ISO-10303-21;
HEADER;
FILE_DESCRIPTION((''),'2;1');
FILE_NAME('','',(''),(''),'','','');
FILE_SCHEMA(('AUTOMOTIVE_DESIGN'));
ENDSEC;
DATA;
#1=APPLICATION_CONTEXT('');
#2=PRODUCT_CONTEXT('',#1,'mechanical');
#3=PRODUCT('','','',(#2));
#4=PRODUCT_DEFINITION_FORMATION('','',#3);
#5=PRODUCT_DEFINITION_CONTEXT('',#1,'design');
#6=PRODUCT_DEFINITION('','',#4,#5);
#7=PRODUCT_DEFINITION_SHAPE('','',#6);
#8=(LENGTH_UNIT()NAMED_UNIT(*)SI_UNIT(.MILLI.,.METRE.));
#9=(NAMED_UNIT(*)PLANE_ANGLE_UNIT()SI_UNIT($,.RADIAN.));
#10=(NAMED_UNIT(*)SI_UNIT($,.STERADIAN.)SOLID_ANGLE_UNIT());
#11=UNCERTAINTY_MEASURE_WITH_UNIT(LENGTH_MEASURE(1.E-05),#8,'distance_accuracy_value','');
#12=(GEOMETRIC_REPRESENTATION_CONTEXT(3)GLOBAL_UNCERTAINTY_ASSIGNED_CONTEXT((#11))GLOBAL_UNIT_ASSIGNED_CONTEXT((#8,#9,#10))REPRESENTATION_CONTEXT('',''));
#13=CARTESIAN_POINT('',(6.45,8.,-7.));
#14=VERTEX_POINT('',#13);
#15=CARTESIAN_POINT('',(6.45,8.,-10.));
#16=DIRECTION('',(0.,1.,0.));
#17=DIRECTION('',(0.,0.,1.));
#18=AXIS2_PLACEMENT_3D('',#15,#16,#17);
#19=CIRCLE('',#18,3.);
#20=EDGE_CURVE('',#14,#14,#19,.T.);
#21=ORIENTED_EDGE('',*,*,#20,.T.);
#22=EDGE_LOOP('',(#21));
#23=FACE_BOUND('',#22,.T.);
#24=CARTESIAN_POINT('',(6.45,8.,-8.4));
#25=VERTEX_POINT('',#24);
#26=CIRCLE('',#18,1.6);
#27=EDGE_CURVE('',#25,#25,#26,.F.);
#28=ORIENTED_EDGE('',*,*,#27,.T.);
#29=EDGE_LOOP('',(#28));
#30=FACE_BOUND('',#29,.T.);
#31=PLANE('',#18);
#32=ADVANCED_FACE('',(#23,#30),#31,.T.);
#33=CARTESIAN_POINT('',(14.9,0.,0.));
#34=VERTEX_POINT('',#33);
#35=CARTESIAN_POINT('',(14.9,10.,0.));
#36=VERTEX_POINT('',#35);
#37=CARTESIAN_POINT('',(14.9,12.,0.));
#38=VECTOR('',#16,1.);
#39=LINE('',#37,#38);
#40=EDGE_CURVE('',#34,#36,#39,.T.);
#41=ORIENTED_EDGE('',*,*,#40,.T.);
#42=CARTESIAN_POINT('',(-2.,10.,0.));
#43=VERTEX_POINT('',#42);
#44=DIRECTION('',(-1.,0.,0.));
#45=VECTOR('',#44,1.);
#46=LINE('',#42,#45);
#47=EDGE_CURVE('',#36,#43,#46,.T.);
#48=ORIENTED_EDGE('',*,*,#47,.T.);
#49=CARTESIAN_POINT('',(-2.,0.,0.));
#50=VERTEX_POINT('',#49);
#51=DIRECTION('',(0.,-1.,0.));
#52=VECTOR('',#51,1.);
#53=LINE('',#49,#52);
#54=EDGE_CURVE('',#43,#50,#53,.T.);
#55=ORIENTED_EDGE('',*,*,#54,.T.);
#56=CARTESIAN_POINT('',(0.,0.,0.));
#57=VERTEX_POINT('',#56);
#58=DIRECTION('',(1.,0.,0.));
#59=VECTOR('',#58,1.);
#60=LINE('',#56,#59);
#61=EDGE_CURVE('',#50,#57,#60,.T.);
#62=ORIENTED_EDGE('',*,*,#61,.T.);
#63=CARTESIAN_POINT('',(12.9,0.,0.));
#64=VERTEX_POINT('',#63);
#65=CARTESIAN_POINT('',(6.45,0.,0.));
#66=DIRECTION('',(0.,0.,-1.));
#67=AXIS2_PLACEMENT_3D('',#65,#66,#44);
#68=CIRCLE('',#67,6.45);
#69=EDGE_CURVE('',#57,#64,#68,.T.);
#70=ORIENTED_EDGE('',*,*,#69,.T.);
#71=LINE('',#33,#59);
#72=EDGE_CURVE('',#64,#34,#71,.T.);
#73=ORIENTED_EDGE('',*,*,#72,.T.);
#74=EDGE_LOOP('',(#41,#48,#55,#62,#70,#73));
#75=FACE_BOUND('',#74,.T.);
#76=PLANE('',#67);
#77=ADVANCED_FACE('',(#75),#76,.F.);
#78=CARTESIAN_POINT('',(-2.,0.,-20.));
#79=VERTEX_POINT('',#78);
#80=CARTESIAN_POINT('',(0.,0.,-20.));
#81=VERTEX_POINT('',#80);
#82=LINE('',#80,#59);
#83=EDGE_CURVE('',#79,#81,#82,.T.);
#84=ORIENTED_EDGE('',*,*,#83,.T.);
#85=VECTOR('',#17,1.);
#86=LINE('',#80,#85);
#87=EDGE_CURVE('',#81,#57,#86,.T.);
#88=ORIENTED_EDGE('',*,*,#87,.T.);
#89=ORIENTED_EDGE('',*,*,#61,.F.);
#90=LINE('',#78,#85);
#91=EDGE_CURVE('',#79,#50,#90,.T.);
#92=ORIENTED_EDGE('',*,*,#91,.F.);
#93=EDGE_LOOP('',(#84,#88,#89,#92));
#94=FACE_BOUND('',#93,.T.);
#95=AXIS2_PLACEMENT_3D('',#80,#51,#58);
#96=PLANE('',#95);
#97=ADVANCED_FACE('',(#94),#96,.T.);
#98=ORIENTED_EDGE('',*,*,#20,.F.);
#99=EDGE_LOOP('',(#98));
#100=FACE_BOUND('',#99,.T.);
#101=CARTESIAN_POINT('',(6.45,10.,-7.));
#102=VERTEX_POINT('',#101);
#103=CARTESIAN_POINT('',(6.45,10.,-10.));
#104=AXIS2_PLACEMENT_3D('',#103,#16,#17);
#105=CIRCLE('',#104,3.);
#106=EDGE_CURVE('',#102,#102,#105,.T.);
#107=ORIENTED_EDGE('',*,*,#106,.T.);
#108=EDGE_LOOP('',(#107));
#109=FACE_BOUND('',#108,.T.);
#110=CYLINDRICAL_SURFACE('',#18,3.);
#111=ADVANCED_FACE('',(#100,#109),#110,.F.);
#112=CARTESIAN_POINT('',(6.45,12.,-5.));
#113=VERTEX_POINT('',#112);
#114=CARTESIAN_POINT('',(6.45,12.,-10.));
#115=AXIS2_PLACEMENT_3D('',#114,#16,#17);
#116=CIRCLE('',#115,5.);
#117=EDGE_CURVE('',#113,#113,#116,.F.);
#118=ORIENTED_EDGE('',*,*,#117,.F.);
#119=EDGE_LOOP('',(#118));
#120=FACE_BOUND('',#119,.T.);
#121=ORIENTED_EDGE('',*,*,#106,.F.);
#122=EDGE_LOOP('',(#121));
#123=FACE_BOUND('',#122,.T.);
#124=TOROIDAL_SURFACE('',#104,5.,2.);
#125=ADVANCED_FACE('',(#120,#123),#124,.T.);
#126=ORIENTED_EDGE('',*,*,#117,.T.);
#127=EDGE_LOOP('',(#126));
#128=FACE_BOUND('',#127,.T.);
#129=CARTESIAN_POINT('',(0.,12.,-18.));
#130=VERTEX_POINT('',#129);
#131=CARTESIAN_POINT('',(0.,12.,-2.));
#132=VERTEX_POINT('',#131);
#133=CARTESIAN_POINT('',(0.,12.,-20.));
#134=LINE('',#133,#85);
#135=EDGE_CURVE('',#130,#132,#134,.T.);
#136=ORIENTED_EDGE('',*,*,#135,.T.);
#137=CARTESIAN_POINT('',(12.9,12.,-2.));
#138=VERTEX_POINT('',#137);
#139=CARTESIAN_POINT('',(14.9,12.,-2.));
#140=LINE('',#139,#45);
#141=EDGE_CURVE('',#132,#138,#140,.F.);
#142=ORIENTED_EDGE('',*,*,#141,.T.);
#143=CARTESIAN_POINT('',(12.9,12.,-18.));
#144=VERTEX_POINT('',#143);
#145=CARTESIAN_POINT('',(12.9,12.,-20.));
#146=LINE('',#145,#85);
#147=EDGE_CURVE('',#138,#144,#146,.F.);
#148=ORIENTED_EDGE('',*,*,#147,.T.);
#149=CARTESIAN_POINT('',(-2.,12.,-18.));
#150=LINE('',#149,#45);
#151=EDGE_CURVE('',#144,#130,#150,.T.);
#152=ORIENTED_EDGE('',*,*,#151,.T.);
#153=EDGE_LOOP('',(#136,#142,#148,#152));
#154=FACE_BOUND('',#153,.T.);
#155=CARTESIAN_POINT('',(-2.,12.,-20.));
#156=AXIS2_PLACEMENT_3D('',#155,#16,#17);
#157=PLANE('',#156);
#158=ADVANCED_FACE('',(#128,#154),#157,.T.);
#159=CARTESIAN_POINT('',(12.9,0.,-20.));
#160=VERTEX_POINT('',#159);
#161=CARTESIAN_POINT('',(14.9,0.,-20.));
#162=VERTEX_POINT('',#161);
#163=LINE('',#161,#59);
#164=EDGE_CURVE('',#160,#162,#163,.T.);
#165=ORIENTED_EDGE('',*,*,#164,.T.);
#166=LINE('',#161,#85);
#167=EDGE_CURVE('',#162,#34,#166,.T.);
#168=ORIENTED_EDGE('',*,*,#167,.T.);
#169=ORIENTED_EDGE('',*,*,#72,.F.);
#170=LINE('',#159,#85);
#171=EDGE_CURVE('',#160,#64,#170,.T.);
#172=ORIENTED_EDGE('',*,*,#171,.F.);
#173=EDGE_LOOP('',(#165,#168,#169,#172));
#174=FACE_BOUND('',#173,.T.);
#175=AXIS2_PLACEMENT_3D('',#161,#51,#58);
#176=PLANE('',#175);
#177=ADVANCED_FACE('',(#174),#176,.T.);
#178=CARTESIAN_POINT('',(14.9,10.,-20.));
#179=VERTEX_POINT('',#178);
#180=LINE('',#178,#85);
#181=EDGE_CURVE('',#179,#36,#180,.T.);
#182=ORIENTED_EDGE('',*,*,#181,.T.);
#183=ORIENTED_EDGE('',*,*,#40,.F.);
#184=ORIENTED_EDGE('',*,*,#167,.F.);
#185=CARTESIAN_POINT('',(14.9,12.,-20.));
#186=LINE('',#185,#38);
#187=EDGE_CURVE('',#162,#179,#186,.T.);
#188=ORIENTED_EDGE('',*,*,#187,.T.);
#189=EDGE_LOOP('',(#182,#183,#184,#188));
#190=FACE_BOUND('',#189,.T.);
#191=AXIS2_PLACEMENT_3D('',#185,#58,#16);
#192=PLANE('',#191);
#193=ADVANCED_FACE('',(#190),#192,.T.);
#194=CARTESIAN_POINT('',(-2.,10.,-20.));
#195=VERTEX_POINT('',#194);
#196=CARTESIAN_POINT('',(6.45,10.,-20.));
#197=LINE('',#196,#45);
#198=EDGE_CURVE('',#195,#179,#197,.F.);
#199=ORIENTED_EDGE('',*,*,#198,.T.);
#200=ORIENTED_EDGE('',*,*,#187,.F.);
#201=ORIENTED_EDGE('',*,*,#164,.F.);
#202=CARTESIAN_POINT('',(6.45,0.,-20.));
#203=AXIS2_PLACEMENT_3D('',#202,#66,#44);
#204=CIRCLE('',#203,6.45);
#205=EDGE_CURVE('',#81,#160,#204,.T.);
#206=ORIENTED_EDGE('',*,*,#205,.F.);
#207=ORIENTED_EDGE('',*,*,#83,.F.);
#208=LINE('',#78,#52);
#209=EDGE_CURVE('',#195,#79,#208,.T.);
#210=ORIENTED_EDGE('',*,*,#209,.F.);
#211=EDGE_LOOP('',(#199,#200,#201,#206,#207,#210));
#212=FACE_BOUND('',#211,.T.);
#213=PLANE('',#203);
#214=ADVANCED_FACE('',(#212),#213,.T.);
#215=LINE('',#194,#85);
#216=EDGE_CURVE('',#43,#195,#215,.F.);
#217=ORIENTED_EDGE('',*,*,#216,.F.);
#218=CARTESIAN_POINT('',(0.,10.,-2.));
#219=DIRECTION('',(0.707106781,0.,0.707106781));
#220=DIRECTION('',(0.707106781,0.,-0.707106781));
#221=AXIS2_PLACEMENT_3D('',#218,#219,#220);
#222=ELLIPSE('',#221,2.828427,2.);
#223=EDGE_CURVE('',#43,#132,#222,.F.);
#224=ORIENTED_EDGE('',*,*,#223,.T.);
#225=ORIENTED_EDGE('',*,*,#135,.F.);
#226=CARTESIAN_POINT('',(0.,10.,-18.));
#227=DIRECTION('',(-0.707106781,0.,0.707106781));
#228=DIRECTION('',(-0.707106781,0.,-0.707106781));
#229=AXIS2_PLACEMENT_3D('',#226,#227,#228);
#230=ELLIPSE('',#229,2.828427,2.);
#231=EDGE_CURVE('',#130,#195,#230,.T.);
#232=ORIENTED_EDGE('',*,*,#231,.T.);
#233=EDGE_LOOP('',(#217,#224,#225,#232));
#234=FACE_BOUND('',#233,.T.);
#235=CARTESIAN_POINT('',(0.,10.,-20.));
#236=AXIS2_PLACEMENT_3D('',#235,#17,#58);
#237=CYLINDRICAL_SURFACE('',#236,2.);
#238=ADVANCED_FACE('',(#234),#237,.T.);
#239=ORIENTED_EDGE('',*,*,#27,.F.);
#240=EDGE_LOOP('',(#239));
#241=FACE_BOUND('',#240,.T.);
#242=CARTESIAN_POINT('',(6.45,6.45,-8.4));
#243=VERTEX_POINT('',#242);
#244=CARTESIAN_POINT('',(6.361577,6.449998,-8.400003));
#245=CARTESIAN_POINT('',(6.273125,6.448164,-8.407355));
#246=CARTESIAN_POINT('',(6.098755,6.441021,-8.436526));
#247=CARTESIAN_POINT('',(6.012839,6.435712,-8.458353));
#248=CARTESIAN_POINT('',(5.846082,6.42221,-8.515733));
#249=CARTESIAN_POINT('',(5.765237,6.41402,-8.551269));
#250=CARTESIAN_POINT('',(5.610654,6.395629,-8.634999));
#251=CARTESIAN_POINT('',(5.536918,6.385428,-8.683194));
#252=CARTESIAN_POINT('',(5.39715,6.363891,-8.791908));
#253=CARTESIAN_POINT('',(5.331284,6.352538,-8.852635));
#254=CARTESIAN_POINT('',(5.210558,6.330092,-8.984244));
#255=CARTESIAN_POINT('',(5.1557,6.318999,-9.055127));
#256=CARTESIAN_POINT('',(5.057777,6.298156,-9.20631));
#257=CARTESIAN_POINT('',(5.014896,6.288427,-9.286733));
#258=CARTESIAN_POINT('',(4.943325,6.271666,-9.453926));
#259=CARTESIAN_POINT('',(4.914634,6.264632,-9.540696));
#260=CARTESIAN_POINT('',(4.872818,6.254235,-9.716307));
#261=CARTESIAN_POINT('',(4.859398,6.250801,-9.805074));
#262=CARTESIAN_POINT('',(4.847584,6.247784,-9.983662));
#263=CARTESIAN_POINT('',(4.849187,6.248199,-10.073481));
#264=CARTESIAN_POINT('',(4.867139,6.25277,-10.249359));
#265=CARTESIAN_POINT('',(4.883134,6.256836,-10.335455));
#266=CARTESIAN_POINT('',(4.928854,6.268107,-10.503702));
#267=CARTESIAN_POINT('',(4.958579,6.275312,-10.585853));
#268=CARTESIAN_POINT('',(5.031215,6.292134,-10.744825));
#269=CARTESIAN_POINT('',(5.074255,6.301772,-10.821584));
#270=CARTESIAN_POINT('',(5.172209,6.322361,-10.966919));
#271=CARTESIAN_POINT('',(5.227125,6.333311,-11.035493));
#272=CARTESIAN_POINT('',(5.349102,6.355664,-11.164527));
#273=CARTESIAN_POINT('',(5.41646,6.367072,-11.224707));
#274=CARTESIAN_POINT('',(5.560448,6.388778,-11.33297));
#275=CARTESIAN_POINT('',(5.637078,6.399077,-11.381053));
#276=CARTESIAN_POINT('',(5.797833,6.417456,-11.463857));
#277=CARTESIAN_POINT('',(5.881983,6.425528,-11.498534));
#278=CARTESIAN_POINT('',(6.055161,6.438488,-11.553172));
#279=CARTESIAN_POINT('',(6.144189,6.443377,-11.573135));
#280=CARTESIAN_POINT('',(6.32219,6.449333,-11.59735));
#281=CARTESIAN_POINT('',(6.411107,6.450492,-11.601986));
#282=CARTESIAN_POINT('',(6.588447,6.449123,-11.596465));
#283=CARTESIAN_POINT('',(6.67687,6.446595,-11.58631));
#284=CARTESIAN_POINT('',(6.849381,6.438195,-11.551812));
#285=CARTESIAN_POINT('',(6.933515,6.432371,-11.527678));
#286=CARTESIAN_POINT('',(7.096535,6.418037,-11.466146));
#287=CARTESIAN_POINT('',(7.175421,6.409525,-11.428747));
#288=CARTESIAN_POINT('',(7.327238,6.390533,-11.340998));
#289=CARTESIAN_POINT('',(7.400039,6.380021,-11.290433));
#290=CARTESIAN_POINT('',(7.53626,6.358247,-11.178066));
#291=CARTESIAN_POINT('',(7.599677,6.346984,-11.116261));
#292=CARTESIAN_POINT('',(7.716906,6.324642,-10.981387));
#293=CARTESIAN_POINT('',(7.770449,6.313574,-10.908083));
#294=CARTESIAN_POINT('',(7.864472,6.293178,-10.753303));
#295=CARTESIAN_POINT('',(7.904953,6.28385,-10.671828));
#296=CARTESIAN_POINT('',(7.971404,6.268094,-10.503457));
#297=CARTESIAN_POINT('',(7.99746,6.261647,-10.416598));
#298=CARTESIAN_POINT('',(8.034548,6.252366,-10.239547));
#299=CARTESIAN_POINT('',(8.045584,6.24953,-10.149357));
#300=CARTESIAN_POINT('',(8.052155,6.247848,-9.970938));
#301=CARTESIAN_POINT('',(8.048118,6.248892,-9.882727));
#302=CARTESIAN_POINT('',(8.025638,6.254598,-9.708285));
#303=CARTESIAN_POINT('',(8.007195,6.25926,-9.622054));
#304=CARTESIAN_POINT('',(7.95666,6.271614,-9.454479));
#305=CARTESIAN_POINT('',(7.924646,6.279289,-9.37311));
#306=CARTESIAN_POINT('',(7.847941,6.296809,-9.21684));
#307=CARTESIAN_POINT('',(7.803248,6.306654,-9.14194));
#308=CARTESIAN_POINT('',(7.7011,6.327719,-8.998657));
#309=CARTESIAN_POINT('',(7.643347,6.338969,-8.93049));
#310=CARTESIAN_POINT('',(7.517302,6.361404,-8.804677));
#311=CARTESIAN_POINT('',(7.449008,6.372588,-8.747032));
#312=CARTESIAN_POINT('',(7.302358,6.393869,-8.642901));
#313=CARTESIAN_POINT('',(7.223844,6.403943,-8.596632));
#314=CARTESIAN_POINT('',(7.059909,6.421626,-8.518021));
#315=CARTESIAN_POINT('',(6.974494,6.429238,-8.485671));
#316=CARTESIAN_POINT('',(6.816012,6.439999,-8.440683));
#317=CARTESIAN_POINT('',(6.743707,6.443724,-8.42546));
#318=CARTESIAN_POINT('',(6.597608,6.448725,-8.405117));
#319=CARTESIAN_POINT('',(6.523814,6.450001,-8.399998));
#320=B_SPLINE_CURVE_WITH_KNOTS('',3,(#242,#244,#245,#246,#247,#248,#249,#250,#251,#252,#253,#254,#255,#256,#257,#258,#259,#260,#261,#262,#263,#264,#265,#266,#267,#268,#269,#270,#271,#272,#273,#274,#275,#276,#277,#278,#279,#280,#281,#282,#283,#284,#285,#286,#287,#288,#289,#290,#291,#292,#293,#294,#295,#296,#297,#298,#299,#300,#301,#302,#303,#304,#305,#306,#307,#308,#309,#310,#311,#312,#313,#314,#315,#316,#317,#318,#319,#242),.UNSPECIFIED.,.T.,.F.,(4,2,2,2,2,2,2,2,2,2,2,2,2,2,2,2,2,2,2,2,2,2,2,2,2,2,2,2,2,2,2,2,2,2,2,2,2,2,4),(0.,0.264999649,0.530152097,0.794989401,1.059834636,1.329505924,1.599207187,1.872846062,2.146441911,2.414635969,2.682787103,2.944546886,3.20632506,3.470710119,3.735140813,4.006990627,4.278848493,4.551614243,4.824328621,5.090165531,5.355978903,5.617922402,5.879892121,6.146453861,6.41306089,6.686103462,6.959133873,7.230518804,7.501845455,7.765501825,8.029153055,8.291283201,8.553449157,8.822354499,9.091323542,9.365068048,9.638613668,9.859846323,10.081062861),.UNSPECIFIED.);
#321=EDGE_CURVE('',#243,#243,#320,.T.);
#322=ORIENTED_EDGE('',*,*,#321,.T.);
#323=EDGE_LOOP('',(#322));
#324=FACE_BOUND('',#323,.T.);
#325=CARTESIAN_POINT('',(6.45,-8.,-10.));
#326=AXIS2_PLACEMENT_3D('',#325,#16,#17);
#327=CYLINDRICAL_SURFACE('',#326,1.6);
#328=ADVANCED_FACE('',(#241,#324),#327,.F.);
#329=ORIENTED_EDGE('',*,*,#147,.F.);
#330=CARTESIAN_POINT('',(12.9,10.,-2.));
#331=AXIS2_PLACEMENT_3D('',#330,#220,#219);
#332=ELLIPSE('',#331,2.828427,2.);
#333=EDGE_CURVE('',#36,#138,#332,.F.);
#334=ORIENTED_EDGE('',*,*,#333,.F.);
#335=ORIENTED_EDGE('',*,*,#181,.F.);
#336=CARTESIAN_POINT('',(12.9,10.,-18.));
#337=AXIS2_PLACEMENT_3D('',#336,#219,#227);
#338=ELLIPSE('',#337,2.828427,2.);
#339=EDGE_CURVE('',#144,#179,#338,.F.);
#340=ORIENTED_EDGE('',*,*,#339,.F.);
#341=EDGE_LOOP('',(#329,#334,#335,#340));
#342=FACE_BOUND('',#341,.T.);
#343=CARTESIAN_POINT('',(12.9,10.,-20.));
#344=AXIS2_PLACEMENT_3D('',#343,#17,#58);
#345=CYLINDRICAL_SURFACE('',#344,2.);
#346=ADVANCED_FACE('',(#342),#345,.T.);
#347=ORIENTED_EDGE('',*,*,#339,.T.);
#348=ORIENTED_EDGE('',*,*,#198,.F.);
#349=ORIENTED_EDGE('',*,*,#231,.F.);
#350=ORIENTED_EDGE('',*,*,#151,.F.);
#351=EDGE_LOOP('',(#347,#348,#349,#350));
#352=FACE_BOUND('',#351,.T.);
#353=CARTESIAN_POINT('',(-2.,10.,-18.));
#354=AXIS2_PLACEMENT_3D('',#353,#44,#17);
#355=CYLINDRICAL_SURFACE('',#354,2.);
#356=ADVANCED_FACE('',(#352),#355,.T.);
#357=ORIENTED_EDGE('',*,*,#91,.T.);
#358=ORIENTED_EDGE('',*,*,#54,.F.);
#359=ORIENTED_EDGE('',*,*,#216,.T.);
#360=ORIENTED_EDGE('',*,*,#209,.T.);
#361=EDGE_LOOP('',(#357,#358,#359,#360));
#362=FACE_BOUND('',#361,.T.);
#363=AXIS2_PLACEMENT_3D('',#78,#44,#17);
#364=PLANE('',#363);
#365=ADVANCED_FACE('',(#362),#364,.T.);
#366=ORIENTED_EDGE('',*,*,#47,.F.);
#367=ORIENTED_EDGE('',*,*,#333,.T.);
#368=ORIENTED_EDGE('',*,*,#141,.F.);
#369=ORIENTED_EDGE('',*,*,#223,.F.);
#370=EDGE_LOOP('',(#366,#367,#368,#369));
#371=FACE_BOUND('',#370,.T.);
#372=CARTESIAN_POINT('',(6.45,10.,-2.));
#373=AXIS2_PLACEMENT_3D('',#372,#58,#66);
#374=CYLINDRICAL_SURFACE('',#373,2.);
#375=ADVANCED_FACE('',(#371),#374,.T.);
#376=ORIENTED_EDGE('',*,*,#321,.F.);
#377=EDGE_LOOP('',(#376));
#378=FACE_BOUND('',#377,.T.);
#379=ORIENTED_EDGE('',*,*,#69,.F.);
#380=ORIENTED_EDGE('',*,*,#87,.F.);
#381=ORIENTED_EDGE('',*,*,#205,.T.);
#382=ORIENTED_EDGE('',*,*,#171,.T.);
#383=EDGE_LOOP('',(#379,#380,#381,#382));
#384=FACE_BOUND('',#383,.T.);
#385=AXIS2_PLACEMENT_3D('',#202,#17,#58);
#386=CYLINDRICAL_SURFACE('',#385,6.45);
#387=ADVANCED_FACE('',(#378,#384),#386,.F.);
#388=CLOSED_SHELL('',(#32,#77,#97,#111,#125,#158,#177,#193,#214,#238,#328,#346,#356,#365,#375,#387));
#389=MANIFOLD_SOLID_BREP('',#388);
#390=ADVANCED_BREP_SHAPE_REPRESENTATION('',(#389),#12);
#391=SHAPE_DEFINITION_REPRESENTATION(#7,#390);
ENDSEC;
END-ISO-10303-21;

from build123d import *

# Parameters (mm, degrees)
BOSS_EXTRUDE1_DEPTH = 20
SKETCH3_R           = 1.6
CUT_EXTRUDE1_DEPTH  = 20
SKETCH4_R           = 3
CUT_EXTRUDE2_DEPTH  = 4
FILLET5_R           = 2


with BuildPart() as part:
    # Sketch2 → Boss-Extrude1 (new body)
    with BuildSketch(Plane.XY):
        with BuildLine():
            Line((0, 0), (-2, 0))
            Line((-2, 0), (-2, 12))
            Line((-2, 12), (14.9, 12))
            Line((14.9, 12), (14.9, 0))
            Line((14.9, 0), (12.9, 0))
            ThreePointArc((12.9, 0), (6.45, 6.45), (0, 0))
        make_face()
    extrude(amount=-BOSS_EXTRUDE1_DEPTH)

    # Sketch3 → Cut-Extrude1 (cut)
    with BuildSketch(Plane(origin=(0, 12, 0), x_dir=(1, 0, 0), z_dir=(0, 1, 0))):
        with Locations(Location((6.45, 10, 0), (0, 0, 270))):
            Circle(SKETCH3_R)
    extrude(amount=-CUT_EXTRUDE1_DEPTH, mode=Mode.SUBTRACT)

    # Sketch4 → Cut-Extrude2 (cut)
    with BuildSketch(Plane(origin=(0, 12, 0), x_dir=(1, 0, 0), z_dir=(0, 1, 0))):
        with Locations(Location((6.45, 10, 0), (0, 0, 270))):
            Circle(SKETCH4_R)
    extrude(amount=-CUT_EXTRUDE2_DEPTH, mode=Mode.SUBTRACT)

    # Fillet5
    fillet5_edges = [part.edges().sort_by_distance(p)[0] for p in [
        (-2, 12, -10),
        (14.9, 12, -10),
        (6.45, 12, -20),
        (6.45, 12, -13),
        (6.45, 12, 0),
    ]]
    fillet(fillet5_edges, radius=FILLET5_R)


solid = part.part
